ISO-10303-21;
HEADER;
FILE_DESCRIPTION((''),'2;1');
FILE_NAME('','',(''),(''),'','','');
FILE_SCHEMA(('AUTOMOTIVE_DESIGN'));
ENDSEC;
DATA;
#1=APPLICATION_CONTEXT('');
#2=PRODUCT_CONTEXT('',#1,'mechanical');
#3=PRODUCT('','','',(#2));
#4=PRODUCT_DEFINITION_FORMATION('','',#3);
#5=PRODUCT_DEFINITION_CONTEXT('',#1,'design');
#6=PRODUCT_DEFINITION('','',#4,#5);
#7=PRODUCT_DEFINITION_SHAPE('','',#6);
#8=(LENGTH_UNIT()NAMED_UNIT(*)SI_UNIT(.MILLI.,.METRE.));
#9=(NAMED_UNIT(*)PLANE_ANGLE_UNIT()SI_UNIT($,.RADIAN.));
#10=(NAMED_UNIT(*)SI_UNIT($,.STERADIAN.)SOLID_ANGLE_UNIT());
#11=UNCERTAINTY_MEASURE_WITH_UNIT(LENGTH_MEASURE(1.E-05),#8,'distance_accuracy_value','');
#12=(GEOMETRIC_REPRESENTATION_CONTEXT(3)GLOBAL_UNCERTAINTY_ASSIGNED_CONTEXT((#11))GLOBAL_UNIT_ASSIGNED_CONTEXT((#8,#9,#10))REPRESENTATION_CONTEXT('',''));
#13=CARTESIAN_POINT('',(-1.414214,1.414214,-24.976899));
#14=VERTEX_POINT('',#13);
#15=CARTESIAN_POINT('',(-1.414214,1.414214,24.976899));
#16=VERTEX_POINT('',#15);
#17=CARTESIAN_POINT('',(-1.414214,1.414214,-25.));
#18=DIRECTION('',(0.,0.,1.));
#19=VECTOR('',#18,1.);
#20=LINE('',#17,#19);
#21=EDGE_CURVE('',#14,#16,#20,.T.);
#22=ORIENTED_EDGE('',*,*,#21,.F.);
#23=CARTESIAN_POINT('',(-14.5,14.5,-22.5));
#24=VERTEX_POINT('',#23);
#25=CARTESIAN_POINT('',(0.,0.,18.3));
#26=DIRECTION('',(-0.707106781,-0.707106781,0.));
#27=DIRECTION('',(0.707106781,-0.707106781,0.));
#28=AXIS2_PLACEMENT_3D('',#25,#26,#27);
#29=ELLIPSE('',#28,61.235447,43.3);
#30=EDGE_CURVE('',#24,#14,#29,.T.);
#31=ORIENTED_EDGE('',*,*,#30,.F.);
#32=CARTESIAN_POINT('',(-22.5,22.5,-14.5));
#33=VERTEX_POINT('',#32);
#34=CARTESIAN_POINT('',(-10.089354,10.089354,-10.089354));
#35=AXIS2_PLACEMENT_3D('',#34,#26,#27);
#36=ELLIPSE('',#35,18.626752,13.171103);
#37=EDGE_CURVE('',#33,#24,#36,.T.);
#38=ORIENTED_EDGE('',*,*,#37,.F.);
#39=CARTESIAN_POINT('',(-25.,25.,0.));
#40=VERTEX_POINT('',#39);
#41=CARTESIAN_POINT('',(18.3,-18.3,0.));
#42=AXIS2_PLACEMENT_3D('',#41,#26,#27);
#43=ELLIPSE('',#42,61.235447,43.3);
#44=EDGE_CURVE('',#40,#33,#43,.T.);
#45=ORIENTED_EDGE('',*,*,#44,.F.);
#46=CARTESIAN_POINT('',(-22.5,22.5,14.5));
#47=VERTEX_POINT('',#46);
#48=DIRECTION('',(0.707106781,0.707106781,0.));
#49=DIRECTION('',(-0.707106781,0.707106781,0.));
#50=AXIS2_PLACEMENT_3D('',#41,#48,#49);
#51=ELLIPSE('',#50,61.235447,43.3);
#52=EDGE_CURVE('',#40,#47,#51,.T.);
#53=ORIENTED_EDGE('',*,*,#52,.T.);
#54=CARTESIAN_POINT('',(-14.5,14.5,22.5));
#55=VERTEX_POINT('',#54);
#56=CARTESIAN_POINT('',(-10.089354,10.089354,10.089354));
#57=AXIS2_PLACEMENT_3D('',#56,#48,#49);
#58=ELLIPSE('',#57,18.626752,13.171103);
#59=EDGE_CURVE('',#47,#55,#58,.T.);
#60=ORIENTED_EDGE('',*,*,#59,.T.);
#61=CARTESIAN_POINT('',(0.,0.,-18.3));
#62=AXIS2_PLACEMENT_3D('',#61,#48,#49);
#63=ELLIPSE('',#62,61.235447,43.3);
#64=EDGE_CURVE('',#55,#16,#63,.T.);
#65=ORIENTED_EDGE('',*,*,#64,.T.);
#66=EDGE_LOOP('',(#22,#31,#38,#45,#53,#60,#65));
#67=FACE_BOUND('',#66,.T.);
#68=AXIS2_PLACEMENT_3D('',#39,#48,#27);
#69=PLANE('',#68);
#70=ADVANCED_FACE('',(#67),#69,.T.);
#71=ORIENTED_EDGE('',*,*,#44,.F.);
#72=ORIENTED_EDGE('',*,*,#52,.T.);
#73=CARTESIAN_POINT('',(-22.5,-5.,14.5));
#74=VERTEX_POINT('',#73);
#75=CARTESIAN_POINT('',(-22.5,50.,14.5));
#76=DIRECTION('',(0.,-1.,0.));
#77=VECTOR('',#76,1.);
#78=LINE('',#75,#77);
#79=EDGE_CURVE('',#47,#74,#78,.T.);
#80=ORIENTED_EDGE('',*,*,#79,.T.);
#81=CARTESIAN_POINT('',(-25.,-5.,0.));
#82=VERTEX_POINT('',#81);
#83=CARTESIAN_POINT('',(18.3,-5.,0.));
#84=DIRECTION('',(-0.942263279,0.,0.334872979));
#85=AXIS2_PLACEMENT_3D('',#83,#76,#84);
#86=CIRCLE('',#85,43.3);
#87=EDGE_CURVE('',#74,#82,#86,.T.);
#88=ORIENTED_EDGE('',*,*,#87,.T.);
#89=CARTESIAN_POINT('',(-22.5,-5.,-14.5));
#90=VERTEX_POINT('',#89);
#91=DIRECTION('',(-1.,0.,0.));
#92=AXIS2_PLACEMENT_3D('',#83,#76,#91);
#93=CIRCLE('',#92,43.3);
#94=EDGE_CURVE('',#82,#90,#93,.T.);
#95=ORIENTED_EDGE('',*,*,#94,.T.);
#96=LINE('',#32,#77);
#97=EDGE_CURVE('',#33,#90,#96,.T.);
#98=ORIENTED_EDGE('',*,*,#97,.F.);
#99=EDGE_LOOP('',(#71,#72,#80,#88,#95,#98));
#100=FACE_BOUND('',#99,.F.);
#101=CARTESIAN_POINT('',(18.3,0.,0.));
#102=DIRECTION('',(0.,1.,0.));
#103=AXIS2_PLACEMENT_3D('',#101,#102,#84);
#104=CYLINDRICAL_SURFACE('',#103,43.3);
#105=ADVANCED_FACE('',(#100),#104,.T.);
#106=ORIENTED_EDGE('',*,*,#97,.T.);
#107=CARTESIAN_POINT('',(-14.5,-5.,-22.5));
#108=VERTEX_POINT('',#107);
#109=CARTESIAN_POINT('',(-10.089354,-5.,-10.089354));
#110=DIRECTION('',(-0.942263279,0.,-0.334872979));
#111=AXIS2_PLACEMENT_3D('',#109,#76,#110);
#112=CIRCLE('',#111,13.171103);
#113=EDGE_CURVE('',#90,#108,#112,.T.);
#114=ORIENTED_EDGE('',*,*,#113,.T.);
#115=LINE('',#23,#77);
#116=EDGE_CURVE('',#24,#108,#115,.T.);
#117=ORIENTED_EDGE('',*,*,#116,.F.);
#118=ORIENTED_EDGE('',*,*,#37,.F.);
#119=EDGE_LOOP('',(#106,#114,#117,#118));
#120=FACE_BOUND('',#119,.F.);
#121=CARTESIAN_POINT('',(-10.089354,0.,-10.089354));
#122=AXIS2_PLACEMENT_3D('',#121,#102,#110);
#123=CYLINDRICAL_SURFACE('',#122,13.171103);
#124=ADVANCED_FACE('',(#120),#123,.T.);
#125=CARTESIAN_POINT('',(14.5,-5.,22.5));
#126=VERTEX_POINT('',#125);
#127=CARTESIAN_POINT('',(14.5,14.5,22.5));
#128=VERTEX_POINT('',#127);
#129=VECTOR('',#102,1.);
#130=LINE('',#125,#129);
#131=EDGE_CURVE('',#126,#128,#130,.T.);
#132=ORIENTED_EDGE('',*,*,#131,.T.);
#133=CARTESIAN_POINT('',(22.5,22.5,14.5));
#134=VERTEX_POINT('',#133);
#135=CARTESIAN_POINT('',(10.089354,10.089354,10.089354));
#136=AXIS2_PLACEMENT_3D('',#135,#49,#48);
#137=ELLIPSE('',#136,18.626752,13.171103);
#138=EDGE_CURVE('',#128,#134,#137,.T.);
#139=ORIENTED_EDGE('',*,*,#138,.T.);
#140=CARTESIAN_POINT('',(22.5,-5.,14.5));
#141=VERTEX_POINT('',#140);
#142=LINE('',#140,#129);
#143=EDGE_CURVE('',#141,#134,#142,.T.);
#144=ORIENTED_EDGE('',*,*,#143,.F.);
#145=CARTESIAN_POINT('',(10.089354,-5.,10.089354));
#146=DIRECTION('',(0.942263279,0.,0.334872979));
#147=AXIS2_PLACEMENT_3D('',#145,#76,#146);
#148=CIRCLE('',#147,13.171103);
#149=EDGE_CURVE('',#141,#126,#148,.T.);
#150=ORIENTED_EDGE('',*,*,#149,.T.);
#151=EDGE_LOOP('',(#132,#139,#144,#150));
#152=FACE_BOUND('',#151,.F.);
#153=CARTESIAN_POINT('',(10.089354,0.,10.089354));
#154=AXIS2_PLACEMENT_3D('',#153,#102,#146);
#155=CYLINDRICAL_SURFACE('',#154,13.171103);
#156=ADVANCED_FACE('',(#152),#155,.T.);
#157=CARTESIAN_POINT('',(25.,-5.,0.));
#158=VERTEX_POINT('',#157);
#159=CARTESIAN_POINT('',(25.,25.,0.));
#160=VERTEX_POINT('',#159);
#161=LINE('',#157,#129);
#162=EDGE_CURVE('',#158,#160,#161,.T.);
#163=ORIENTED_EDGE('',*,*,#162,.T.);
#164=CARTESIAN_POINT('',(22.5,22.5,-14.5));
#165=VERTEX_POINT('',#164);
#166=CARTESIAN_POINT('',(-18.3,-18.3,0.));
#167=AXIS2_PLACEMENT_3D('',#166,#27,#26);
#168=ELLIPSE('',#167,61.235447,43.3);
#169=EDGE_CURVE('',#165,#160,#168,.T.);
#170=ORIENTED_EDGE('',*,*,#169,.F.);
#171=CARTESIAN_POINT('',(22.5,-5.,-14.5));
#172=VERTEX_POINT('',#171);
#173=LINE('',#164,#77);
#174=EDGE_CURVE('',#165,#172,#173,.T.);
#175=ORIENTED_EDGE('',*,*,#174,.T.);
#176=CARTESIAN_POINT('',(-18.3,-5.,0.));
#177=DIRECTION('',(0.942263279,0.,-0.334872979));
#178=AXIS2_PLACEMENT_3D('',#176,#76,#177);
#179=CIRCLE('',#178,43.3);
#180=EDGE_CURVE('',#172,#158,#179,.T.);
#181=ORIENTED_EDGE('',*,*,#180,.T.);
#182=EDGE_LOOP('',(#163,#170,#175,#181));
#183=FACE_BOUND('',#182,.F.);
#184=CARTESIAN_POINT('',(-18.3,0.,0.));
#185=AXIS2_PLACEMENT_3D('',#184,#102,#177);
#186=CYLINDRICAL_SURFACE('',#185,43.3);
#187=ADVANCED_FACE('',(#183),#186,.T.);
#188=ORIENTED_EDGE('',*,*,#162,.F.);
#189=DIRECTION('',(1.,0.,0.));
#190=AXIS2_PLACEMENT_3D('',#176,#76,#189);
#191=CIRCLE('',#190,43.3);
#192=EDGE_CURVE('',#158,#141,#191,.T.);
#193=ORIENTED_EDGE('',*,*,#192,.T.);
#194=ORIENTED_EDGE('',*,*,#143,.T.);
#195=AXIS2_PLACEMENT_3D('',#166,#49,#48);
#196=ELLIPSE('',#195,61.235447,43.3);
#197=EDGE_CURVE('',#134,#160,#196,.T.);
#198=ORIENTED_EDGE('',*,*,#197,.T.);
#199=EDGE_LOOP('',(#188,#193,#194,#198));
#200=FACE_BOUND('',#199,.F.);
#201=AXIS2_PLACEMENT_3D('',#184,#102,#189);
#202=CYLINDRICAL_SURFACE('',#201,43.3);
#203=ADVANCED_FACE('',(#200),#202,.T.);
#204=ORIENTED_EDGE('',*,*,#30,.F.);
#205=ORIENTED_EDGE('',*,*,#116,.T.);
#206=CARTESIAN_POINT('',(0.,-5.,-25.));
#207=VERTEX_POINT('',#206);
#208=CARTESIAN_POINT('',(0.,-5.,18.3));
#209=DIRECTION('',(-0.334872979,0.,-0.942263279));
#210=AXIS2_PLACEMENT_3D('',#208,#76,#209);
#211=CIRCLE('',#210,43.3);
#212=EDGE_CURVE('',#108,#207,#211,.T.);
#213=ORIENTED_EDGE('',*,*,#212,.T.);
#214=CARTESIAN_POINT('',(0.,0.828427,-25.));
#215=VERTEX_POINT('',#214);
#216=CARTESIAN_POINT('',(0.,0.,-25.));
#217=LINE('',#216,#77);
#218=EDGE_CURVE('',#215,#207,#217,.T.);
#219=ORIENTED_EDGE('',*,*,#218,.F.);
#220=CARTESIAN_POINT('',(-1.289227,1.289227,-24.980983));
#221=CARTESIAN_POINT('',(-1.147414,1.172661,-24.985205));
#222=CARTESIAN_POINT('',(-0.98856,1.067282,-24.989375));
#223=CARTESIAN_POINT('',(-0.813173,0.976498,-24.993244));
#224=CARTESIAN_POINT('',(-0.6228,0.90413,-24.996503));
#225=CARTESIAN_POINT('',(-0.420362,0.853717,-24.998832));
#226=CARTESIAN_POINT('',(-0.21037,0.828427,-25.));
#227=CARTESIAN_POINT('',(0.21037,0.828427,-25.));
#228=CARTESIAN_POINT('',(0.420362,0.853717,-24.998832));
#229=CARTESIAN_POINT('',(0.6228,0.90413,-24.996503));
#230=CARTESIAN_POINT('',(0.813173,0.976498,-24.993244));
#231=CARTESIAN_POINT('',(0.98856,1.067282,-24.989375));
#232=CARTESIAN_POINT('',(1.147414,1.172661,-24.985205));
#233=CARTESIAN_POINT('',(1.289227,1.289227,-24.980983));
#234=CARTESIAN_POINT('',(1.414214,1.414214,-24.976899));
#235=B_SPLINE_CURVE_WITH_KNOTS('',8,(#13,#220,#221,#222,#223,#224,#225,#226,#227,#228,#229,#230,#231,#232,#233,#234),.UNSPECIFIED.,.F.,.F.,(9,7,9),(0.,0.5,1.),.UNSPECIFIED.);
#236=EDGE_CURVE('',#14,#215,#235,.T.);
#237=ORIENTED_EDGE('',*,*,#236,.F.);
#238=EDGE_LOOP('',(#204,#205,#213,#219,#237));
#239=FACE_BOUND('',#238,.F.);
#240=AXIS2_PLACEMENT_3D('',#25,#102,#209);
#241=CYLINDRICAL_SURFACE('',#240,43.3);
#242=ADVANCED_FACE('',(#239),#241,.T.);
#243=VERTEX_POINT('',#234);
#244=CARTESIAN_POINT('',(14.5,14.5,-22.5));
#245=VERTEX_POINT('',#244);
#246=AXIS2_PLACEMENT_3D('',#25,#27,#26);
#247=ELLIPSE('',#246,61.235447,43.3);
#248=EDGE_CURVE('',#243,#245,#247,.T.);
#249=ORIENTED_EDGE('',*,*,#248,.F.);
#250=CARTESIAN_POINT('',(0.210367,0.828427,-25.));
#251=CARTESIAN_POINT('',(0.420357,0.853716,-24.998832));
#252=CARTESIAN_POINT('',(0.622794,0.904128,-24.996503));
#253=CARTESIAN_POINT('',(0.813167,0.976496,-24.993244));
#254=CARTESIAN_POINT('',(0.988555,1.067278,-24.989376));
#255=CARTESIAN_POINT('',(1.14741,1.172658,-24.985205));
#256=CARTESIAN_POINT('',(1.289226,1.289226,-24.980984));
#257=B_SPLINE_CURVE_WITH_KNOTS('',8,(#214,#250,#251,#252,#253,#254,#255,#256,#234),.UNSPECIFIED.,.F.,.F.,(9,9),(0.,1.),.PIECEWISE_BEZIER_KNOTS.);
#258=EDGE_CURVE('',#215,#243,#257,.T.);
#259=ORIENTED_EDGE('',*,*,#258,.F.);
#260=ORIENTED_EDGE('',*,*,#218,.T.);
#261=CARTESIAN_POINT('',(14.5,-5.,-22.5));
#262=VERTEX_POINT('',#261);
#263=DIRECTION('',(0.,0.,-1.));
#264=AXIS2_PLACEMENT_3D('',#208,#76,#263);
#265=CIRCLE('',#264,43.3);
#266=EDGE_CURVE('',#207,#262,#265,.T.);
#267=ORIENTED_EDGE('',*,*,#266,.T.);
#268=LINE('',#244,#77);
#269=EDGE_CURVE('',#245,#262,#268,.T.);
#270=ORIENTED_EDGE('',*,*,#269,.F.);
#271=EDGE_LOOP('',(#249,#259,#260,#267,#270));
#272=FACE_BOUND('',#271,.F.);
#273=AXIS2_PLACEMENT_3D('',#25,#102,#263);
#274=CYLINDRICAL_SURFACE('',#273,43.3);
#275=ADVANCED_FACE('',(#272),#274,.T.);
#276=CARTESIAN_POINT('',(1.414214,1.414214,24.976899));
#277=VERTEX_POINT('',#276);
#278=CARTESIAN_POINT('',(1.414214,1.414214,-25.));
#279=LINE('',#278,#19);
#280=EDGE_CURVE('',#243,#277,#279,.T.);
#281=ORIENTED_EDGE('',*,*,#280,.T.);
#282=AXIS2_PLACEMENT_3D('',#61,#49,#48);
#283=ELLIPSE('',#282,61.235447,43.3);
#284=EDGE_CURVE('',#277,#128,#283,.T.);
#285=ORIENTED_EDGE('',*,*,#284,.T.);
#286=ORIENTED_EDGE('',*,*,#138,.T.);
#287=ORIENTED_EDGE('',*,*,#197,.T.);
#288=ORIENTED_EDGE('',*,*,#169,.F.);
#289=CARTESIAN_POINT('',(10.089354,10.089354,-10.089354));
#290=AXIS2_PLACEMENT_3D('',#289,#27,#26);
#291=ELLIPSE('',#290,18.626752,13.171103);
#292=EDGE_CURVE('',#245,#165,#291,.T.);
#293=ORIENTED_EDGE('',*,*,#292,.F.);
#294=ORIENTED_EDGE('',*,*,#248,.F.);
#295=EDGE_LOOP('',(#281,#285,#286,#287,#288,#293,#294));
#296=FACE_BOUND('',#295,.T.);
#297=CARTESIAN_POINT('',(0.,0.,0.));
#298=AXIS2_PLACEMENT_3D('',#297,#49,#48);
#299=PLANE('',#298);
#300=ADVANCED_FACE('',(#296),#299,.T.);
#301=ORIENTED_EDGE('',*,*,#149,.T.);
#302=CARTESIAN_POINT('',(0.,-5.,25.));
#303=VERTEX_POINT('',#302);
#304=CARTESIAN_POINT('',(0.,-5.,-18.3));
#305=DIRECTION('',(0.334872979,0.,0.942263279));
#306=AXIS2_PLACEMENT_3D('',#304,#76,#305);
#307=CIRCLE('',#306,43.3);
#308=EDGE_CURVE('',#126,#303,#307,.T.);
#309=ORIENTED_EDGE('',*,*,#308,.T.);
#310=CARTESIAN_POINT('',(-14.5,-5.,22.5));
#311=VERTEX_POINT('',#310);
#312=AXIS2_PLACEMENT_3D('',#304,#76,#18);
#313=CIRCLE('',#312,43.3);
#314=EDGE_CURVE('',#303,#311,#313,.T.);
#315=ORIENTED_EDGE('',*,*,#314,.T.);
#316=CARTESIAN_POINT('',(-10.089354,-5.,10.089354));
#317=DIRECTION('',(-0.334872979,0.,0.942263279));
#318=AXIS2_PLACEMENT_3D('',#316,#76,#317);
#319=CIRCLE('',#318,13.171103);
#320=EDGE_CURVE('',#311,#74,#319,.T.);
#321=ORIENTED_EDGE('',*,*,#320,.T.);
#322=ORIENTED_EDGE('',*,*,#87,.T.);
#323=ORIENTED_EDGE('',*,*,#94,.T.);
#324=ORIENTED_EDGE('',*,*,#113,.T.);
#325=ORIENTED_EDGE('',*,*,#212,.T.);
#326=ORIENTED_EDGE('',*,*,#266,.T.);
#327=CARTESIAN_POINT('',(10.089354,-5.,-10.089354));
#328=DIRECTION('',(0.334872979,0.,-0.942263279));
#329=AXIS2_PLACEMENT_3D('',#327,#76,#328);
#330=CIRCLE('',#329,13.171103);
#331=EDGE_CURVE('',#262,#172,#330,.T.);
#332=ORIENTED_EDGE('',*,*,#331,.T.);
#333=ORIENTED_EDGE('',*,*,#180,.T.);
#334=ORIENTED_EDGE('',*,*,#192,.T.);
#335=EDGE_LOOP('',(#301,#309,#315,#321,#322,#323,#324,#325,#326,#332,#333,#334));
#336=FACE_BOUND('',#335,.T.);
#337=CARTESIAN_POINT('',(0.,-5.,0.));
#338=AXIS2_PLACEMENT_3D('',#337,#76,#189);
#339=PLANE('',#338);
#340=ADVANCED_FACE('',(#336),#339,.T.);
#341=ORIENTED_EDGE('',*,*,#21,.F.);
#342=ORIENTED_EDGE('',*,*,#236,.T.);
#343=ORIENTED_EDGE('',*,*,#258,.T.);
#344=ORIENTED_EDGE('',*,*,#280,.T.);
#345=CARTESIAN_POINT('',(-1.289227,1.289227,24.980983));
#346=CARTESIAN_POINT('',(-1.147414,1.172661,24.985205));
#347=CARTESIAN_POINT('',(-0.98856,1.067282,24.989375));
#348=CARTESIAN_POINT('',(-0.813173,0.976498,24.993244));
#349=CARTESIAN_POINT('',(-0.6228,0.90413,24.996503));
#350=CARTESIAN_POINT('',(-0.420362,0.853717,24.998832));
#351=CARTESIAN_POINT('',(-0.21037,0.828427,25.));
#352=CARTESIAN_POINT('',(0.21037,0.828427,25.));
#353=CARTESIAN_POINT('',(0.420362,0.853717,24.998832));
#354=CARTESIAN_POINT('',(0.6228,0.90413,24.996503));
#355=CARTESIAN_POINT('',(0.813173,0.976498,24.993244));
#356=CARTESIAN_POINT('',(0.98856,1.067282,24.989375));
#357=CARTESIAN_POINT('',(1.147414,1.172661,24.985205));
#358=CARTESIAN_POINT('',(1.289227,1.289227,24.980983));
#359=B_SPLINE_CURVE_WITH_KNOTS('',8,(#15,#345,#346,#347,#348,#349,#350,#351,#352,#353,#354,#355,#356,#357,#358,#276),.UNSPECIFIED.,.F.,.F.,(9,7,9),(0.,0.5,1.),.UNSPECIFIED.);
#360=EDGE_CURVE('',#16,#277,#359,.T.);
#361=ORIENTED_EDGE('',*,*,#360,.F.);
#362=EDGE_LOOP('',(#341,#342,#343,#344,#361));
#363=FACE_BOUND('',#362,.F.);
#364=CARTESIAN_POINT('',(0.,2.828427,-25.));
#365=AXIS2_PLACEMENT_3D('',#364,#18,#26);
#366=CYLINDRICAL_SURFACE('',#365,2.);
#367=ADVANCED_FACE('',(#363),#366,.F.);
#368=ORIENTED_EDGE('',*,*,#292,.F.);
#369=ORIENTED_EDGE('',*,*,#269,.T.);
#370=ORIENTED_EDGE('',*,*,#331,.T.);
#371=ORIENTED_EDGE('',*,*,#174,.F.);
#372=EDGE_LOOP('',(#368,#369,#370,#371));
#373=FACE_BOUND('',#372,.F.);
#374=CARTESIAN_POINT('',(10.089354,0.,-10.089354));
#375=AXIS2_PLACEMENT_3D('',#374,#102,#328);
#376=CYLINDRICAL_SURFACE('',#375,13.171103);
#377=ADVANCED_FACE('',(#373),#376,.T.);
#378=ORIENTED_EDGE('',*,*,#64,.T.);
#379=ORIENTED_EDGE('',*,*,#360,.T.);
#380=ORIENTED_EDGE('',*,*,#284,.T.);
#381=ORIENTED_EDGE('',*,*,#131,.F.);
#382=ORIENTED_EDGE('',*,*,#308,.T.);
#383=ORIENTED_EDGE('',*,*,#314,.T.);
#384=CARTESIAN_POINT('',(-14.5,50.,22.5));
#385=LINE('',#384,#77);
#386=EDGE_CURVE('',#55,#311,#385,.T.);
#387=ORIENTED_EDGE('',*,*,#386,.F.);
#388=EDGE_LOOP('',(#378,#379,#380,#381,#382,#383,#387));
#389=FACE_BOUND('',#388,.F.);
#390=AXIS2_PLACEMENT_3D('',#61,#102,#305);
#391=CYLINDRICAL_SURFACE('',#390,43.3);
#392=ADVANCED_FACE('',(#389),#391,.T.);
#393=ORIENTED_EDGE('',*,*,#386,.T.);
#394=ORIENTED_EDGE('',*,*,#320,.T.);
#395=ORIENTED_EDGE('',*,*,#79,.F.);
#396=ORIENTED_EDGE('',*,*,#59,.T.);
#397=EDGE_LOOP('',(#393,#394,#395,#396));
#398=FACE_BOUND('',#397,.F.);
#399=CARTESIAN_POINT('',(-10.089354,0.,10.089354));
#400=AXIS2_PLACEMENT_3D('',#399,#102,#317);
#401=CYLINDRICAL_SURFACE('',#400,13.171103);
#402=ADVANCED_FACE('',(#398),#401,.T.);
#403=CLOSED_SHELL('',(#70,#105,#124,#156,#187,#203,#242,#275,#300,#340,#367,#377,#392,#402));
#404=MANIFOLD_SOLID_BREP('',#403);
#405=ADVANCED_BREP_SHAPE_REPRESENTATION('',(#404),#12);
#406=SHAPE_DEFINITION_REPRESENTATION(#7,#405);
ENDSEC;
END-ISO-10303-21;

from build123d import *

# Parameters (mm, degrees)
F1_DEPTH      = 50
F1_DEPTH_BACK = 5
F3_DEPTH      = 25.001
F3_DEPTH_BACK = 25.001
F4_R          = 2


with BuildPart() as f1:
    # F0 (on Front) → F1 (new body, two sides)
    with BuildSketch(Plane.XZ) as f1_sk:
        with BuildLine():
            ThreePointArc((14.5, 22.5), (7.3569694848, 24.3704230117), (0, 25))
            ThreePointArc((0, 25), (-7.3569694848, 24.3704230117), (-14.5, 22.5))
            ThreePointArc((-14.5, 22.5), (-19.4027296199, 19.4027296199), (-22.5, 14.5))
            ThreePointArc((-22.5, 14.5), (-24.3704230117, 7.3569694848), (-25, 0))
            ThreePointArc((-25, 0), (-24.3704230117, -7.3569694848), (-22.5, -14.5))
            ThreePointArc((-22.5, -14.5), (-19.4027296199, -19.4027296199), (-14.5, -22.5))
            ThreePointArc((-14.5, -22.5), (-7.3569694848, -24.3704230117), (0, -25))
            ThreePointArc((0, -25), (7.3569694848, -24.3704230117), (14.5, -22.5))
            ThreePointArc((14.5, -22.5), (19.4027296199, -19.4027296199), (22.5, -14.5))
            ThreePointArc((22.5, -14.5), (24.3704230117, -7.3569694848), (25, 0))
            ThreePointArc((25, 0), (24.3704230117, 7.3569694848), (22.5, 14.5))
            ThreePointArc((22.5, 14.5), (19.4027296199, 19.4027296199), (14.5, 22.5))
        make_face()
    extrude(amount=-F1_DEPTH)
    extrude(f1_sk.sketch, amount=F1_DEPTH_BACK)

    # F2 (on Top) → F3 (cut, two sides)
    with BuildSketch(Plane.XY) as f3_sk:
        Polygon((-25, 25), (0, 0), (25, 25), (25, 50), (0, 50), (-25, 50), align=None)
    extrude(amount=-F3_DEPTH, mode=Mode.SUBTRACT)
    extrude(f3_sk.sketch, amount=F3_DEPTH_BACK, mode=Mode.SUBTRACT)

    # F4
    f4_edges = [f1.edges().sort_by_distance(p)[0] for p in [
        (0, 0, 0),
    ]]
    fillet(f4_edges, radius=F4_R)


solid = f1.part
